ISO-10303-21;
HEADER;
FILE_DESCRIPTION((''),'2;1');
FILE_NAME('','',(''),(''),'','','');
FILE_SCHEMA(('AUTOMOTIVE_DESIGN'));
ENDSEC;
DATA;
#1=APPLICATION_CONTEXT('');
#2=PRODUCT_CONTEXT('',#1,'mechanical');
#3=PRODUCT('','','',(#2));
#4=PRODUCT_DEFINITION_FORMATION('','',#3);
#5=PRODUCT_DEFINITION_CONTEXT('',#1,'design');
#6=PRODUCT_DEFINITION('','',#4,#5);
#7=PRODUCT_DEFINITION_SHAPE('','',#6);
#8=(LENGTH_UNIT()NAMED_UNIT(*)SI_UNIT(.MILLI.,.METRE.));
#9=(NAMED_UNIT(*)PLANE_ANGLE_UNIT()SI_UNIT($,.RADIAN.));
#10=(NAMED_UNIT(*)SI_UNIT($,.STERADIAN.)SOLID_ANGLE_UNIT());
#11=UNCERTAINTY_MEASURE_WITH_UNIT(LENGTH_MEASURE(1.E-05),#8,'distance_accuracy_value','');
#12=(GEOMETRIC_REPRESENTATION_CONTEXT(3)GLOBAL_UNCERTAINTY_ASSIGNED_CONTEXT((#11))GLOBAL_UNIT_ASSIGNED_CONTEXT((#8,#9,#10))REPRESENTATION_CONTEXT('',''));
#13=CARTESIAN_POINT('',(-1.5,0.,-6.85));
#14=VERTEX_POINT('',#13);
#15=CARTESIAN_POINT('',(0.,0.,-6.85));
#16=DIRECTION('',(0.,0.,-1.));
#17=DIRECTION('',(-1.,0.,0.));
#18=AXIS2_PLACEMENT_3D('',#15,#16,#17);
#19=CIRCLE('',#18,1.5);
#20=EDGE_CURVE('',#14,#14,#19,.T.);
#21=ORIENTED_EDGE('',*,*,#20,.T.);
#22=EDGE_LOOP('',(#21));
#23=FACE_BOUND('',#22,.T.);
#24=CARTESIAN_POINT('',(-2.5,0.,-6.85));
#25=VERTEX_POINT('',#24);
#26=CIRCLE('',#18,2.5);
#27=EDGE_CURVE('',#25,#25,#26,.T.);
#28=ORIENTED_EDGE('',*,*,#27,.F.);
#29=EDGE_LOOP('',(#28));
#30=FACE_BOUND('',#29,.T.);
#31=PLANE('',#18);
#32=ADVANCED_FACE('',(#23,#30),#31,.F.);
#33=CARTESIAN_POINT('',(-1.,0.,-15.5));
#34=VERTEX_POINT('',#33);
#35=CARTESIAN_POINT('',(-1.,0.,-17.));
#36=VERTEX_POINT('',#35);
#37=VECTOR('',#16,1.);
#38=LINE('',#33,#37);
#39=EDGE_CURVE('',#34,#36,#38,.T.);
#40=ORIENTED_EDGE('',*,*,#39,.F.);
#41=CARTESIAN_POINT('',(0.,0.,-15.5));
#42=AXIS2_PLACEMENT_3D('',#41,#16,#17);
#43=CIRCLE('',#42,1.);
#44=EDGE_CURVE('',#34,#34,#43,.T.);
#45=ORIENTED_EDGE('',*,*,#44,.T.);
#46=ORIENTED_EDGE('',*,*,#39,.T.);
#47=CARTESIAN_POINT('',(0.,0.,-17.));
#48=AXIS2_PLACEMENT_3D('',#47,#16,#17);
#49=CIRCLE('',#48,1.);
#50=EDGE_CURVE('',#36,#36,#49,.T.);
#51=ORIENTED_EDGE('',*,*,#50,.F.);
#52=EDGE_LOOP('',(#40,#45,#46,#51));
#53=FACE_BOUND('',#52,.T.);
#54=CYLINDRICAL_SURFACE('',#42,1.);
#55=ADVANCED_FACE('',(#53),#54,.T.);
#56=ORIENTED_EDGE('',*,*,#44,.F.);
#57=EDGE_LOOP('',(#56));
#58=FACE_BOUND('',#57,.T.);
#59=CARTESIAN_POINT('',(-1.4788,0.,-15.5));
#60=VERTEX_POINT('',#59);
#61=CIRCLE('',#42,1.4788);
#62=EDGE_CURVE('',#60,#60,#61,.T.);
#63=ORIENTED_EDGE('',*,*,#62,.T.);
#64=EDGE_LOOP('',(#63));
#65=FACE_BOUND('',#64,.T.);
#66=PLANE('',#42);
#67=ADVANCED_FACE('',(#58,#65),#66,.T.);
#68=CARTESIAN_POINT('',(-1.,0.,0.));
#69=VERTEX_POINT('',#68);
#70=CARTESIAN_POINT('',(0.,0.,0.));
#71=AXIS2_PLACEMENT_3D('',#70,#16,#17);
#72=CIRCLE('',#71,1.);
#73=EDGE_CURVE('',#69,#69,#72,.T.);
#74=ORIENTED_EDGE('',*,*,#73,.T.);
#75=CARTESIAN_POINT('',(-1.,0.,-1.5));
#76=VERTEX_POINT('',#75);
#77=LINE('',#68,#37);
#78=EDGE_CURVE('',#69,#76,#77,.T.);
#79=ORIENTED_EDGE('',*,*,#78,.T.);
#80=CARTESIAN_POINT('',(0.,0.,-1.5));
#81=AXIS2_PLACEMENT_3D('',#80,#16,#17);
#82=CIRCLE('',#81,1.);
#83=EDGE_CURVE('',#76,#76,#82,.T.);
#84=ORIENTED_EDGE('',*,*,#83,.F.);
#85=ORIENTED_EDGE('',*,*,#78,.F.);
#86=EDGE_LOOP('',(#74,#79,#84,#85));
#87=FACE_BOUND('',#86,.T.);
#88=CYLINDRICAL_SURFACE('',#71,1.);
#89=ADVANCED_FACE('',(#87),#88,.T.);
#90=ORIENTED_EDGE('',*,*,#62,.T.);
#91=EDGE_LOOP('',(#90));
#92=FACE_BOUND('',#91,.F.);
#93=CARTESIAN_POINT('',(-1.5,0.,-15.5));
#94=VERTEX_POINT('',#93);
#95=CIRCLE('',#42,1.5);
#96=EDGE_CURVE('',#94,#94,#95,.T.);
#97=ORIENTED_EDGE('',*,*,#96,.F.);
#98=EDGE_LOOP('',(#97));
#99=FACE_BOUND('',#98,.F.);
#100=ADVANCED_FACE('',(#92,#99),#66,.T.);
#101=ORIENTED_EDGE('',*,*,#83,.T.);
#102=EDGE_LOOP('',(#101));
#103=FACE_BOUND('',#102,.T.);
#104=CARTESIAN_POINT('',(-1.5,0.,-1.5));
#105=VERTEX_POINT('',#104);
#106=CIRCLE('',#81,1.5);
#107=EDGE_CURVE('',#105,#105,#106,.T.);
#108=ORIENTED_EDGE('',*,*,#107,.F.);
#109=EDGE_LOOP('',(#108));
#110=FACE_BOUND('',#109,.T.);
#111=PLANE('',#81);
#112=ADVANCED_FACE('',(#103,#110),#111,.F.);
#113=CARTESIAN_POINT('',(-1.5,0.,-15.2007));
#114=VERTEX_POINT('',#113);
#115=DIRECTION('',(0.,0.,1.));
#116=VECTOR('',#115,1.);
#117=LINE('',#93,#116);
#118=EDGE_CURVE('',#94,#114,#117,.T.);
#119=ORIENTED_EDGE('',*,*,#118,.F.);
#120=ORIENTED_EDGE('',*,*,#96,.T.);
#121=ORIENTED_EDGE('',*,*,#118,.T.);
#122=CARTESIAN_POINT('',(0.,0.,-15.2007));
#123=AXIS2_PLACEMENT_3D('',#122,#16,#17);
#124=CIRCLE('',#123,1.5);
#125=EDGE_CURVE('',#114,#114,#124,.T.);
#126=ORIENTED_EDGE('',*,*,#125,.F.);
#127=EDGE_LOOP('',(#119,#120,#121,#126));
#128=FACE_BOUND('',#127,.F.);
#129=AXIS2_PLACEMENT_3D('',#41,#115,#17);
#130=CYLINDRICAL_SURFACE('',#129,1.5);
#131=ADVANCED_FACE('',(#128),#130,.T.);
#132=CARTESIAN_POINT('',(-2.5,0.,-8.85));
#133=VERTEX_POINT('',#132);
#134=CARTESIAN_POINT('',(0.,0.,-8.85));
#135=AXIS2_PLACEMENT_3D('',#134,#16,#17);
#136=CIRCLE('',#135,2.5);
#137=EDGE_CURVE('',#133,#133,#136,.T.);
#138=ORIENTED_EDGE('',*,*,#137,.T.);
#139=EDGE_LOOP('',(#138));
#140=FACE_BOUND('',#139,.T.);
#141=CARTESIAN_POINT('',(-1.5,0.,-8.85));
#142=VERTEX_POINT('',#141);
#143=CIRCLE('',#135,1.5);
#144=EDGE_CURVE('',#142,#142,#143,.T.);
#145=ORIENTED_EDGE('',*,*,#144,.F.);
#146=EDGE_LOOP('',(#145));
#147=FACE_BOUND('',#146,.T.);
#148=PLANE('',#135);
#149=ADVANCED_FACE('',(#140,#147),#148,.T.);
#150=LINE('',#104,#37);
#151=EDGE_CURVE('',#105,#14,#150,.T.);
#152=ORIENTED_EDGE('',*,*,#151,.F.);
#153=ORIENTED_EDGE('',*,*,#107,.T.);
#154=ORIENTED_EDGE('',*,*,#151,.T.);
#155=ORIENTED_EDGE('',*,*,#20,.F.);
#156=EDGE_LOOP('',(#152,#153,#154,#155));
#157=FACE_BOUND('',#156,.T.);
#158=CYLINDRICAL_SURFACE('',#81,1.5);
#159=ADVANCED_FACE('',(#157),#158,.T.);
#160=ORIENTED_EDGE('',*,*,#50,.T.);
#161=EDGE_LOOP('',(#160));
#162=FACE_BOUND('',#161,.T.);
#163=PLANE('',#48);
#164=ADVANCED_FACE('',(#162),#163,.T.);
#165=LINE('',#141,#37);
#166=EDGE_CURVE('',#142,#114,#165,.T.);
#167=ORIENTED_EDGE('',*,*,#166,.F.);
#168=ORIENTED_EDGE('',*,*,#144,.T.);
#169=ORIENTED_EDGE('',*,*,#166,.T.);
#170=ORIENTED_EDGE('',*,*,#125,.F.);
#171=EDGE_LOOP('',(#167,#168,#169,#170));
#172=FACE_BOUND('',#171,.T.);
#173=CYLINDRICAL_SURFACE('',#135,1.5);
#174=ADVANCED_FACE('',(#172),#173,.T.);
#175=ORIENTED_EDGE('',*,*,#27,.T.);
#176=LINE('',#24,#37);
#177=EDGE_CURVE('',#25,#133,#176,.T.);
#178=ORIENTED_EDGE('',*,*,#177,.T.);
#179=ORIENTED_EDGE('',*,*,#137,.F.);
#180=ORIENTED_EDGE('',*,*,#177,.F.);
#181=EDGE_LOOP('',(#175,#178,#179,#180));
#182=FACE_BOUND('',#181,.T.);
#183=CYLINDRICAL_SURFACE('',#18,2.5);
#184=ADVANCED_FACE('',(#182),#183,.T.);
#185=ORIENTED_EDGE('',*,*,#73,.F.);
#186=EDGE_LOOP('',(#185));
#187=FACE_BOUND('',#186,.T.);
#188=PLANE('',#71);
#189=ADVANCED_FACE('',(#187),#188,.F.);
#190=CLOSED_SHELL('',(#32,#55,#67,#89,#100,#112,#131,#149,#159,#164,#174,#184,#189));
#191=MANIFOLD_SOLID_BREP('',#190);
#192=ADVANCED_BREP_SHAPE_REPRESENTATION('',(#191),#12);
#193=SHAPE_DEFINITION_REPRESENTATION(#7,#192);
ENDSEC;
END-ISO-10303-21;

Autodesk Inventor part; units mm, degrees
ref_plane "YZ Plane" through (0, 0, 0) normal (1, 0, 0) x (0, 1, 0)
ref_plane "XZ Plane" through (0, 0, 0) normal (0, 1, 0) x (-1, 0, 0)
ref_plane "XY Plane" through (0, 0, 0) normal (0, 0, 1) x (1, 0, 0)
sketch "Sketch1" plane through (0, 0, 0) normal (0, 1, 0) x (-1, 0, 0)
  line L0 (0, 0) -> (1, 0)
  line L1 (1, 0) -> (1, -1.5)
  line L2 (1, -1.5) -> (1.5, -1.5)
  line L3 (1.5, -6.85) -> (2.5, -6.85)
  line L4 (2.5, -6.85) -> (2.5, -8.85)
  line L5 (2.5, -8.85) -> (1.5, -8.85)
  line L6 (1.5, -8.85) -> (1.5, -15.2007)
  line L7 (1, -17) -> (0, -17)
  line L8 (0, 0) -> (0, -17)
  line L9 (1.4788, -15.5) -> (1, -15.5)
  line L10 (1, -15.5) -> (1, -17)
  line L11 (1.4788, -15.5) -> (1.5, -15.5)
  line L12 (1.5, -1.5) -> (1.5, -6.85)
  line L13 (1.5, -6.85) -> (1.5, -1.5)
  line L14 (1.5, -15.5) -> (1.5, -15.2007)
  line L15 (1.5, -15.2007) -> (1.5, -15.2007)
  dimension "d1" = 1.5
  dimension "d4" = 2
  dimension "d19" = 14
  dimension "d21" = 1.5
  dimension "d30" = 2
  dimension "d31" = 2
  dimension "d33" = 3
  dimension "d34" = 5
  dimension "d35" = 3
  dimension "d37" = 0.2993
  dimension "d38" = 3
  dimension "d42" = 5.35
revolve "Revolution1" add sketch "Sketch1" angle 360 about axis through (0, 0, 0) along (0, 0, -1)
properties part number "shaft_1_2"
